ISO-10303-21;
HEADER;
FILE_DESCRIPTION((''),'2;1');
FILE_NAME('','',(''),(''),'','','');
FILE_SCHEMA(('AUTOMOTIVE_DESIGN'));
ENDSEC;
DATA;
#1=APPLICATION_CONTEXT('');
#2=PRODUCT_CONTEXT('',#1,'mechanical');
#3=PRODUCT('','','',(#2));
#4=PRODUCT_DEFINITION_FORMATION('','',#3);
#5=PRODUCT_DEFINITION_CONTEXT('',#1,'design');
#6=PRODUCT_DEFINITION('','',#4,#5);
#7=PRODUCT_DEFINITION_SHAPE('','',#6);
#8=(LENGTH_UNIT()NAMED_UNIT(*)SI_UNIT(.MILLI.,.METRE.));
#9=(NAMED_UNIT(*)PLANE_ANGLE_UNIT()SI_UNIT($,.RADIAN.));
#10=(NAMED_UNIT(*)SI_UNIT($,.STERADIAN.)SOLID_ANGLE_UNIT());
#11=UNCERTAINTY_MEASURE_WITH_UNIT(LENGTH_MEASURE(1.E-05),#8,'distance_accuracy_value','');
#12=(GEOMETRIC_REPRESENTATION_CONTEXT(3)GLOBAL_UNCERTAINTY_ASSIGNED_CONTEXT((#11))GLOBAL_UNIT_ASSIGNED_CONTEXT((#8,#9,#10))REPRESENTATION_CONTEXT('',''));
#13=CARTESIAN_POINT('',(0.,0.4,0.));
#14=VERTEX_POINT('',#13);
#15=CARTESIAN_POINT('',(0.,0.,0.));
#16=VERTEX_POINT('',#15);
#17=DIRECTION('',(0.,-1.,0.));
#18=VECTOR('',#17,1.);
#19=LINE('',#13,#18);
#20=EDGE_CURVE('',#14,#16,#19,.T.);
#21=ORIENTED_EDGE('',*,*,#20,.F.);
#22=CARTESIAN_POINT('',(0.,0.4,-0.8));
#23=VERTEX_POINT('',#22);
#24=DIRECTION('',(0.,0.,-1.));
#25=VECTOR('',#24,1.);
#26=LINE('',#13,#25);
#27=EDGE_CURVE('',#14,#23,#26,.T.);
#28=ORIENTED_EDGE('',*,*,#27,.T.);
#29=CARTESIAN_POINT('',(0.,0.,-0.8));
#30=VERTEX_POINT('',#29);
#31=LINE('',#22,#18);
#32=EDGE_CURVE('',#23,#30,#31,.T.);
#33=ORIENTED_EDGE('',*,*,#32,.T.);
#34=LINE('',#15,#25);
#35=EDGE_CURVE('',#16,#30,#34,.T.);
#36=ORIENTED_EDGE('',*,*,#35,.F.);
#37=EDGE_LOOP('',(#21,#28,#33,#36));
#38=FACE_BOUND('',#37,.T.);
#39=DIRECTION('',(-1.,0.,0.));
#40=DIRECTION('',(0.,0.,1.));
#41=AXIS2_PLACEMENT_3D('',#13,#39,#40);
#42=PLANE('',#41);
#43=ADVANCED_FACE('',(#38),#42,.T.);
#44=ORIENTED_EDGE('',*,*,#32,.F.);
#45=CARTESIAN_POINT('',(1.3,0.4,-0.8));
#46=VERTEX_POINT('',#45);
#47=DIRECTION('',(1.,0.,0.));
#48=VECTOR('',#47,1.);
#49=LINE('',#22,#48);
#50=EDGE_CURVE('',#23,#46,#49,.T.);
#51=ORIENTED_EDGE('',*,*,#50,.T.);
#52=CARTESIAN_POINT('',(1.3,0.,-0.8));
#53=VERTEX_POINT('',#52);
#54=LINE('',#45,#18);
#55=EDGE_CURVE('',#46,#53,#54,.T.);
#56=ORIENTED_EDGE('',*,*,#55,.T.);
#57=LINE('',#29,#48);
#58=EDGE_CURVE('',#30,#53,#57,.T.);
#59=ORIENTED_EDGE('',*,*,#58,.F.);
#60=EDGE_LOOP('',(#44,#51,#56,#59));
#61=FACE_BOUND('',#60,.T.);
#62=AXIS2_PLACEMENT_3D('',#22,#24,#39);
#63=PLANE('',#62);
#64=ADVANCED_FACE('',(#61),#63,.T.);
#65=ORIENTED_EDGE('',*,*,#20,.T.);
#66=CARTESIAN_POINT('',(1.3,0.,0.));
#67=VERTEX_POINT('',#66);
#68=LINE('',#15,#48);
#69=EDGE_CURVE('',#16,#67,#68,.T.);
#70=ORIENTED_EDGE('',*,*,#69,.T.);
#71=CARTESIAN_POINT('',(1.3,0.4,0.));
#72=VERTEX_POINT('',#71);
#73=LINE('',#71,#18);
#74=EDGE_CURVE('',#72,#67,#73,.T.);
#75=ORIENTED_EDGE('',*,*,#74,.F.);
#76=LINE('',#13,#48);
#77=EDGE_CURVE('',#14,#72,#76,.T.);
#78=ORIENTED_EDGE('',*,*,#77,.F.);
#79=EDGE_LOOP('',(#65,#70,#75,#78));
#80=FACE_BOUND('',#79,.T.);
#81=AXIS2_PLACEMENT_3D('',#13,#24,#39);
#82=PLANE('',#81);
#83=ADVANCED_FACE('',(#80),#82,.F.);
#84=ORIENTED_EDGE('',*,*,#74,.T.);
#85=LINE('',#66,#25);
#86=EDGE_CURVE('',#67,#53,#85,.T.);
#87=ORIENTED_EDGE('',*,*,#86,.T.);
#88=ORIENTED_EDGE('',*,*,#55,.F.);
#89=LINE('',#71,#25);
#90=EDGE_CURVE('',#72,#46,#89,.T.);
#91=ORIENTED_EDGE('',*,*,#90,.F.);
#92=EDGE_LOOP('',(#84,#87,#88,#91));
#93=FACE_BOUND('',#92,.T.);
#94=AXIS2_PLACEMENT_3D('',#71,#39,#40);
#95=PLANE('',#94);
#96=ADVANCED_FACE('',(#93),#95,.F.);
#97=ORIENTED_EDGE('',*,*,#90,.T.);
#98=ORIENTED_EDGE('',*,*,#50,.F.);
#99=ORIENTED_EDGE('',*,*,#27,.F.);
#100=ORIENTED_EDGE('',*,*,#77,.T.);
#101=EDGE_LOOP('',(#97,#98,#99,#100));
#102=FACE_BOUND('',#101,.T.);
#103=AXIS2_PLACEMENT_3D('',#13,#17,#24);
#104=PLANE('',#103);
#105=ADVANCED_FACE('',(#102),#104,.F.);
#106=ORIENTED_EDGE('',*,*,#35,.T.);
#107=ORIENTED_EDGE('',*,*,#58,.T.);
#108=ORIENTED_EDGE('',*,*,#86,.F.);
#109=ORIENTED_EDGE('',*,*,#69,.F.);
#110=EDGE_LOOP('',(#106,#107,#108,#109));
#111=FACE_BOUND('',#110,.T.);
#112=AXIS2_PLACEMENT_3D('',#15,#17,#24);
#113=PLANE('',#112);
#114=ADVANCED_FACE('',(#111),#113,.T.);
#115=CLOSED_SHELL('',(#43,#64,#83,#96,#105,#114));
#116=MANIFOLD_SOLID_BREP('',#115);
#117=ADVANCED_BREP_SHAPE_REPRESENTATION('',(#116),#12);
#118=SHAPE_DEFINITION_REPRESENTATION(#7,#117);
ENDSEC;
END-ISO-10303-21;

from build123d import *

# Parameters (mm, degrees)
SKETCH1_W           = 1.3
SKETCH1_H           = 0.8
BOSS_EXTRUDE1_DEPTH = 0.4


with BuildPart() as part:
    # Sketch1 → Boss-Extrude1 (new body)
    with BuildSketch(Plane(origin=(0, 0, 0), x_dir=(1, 0, 0), z_dir=(0, 1, 0))):
        with Locations((0.65, 0.4)):
            Rectangle(SKETCH1_W, SKETCH1_H)
    extrude(amount=BOSS_EXTRUDE1_DEPTH)


solid = part.part
